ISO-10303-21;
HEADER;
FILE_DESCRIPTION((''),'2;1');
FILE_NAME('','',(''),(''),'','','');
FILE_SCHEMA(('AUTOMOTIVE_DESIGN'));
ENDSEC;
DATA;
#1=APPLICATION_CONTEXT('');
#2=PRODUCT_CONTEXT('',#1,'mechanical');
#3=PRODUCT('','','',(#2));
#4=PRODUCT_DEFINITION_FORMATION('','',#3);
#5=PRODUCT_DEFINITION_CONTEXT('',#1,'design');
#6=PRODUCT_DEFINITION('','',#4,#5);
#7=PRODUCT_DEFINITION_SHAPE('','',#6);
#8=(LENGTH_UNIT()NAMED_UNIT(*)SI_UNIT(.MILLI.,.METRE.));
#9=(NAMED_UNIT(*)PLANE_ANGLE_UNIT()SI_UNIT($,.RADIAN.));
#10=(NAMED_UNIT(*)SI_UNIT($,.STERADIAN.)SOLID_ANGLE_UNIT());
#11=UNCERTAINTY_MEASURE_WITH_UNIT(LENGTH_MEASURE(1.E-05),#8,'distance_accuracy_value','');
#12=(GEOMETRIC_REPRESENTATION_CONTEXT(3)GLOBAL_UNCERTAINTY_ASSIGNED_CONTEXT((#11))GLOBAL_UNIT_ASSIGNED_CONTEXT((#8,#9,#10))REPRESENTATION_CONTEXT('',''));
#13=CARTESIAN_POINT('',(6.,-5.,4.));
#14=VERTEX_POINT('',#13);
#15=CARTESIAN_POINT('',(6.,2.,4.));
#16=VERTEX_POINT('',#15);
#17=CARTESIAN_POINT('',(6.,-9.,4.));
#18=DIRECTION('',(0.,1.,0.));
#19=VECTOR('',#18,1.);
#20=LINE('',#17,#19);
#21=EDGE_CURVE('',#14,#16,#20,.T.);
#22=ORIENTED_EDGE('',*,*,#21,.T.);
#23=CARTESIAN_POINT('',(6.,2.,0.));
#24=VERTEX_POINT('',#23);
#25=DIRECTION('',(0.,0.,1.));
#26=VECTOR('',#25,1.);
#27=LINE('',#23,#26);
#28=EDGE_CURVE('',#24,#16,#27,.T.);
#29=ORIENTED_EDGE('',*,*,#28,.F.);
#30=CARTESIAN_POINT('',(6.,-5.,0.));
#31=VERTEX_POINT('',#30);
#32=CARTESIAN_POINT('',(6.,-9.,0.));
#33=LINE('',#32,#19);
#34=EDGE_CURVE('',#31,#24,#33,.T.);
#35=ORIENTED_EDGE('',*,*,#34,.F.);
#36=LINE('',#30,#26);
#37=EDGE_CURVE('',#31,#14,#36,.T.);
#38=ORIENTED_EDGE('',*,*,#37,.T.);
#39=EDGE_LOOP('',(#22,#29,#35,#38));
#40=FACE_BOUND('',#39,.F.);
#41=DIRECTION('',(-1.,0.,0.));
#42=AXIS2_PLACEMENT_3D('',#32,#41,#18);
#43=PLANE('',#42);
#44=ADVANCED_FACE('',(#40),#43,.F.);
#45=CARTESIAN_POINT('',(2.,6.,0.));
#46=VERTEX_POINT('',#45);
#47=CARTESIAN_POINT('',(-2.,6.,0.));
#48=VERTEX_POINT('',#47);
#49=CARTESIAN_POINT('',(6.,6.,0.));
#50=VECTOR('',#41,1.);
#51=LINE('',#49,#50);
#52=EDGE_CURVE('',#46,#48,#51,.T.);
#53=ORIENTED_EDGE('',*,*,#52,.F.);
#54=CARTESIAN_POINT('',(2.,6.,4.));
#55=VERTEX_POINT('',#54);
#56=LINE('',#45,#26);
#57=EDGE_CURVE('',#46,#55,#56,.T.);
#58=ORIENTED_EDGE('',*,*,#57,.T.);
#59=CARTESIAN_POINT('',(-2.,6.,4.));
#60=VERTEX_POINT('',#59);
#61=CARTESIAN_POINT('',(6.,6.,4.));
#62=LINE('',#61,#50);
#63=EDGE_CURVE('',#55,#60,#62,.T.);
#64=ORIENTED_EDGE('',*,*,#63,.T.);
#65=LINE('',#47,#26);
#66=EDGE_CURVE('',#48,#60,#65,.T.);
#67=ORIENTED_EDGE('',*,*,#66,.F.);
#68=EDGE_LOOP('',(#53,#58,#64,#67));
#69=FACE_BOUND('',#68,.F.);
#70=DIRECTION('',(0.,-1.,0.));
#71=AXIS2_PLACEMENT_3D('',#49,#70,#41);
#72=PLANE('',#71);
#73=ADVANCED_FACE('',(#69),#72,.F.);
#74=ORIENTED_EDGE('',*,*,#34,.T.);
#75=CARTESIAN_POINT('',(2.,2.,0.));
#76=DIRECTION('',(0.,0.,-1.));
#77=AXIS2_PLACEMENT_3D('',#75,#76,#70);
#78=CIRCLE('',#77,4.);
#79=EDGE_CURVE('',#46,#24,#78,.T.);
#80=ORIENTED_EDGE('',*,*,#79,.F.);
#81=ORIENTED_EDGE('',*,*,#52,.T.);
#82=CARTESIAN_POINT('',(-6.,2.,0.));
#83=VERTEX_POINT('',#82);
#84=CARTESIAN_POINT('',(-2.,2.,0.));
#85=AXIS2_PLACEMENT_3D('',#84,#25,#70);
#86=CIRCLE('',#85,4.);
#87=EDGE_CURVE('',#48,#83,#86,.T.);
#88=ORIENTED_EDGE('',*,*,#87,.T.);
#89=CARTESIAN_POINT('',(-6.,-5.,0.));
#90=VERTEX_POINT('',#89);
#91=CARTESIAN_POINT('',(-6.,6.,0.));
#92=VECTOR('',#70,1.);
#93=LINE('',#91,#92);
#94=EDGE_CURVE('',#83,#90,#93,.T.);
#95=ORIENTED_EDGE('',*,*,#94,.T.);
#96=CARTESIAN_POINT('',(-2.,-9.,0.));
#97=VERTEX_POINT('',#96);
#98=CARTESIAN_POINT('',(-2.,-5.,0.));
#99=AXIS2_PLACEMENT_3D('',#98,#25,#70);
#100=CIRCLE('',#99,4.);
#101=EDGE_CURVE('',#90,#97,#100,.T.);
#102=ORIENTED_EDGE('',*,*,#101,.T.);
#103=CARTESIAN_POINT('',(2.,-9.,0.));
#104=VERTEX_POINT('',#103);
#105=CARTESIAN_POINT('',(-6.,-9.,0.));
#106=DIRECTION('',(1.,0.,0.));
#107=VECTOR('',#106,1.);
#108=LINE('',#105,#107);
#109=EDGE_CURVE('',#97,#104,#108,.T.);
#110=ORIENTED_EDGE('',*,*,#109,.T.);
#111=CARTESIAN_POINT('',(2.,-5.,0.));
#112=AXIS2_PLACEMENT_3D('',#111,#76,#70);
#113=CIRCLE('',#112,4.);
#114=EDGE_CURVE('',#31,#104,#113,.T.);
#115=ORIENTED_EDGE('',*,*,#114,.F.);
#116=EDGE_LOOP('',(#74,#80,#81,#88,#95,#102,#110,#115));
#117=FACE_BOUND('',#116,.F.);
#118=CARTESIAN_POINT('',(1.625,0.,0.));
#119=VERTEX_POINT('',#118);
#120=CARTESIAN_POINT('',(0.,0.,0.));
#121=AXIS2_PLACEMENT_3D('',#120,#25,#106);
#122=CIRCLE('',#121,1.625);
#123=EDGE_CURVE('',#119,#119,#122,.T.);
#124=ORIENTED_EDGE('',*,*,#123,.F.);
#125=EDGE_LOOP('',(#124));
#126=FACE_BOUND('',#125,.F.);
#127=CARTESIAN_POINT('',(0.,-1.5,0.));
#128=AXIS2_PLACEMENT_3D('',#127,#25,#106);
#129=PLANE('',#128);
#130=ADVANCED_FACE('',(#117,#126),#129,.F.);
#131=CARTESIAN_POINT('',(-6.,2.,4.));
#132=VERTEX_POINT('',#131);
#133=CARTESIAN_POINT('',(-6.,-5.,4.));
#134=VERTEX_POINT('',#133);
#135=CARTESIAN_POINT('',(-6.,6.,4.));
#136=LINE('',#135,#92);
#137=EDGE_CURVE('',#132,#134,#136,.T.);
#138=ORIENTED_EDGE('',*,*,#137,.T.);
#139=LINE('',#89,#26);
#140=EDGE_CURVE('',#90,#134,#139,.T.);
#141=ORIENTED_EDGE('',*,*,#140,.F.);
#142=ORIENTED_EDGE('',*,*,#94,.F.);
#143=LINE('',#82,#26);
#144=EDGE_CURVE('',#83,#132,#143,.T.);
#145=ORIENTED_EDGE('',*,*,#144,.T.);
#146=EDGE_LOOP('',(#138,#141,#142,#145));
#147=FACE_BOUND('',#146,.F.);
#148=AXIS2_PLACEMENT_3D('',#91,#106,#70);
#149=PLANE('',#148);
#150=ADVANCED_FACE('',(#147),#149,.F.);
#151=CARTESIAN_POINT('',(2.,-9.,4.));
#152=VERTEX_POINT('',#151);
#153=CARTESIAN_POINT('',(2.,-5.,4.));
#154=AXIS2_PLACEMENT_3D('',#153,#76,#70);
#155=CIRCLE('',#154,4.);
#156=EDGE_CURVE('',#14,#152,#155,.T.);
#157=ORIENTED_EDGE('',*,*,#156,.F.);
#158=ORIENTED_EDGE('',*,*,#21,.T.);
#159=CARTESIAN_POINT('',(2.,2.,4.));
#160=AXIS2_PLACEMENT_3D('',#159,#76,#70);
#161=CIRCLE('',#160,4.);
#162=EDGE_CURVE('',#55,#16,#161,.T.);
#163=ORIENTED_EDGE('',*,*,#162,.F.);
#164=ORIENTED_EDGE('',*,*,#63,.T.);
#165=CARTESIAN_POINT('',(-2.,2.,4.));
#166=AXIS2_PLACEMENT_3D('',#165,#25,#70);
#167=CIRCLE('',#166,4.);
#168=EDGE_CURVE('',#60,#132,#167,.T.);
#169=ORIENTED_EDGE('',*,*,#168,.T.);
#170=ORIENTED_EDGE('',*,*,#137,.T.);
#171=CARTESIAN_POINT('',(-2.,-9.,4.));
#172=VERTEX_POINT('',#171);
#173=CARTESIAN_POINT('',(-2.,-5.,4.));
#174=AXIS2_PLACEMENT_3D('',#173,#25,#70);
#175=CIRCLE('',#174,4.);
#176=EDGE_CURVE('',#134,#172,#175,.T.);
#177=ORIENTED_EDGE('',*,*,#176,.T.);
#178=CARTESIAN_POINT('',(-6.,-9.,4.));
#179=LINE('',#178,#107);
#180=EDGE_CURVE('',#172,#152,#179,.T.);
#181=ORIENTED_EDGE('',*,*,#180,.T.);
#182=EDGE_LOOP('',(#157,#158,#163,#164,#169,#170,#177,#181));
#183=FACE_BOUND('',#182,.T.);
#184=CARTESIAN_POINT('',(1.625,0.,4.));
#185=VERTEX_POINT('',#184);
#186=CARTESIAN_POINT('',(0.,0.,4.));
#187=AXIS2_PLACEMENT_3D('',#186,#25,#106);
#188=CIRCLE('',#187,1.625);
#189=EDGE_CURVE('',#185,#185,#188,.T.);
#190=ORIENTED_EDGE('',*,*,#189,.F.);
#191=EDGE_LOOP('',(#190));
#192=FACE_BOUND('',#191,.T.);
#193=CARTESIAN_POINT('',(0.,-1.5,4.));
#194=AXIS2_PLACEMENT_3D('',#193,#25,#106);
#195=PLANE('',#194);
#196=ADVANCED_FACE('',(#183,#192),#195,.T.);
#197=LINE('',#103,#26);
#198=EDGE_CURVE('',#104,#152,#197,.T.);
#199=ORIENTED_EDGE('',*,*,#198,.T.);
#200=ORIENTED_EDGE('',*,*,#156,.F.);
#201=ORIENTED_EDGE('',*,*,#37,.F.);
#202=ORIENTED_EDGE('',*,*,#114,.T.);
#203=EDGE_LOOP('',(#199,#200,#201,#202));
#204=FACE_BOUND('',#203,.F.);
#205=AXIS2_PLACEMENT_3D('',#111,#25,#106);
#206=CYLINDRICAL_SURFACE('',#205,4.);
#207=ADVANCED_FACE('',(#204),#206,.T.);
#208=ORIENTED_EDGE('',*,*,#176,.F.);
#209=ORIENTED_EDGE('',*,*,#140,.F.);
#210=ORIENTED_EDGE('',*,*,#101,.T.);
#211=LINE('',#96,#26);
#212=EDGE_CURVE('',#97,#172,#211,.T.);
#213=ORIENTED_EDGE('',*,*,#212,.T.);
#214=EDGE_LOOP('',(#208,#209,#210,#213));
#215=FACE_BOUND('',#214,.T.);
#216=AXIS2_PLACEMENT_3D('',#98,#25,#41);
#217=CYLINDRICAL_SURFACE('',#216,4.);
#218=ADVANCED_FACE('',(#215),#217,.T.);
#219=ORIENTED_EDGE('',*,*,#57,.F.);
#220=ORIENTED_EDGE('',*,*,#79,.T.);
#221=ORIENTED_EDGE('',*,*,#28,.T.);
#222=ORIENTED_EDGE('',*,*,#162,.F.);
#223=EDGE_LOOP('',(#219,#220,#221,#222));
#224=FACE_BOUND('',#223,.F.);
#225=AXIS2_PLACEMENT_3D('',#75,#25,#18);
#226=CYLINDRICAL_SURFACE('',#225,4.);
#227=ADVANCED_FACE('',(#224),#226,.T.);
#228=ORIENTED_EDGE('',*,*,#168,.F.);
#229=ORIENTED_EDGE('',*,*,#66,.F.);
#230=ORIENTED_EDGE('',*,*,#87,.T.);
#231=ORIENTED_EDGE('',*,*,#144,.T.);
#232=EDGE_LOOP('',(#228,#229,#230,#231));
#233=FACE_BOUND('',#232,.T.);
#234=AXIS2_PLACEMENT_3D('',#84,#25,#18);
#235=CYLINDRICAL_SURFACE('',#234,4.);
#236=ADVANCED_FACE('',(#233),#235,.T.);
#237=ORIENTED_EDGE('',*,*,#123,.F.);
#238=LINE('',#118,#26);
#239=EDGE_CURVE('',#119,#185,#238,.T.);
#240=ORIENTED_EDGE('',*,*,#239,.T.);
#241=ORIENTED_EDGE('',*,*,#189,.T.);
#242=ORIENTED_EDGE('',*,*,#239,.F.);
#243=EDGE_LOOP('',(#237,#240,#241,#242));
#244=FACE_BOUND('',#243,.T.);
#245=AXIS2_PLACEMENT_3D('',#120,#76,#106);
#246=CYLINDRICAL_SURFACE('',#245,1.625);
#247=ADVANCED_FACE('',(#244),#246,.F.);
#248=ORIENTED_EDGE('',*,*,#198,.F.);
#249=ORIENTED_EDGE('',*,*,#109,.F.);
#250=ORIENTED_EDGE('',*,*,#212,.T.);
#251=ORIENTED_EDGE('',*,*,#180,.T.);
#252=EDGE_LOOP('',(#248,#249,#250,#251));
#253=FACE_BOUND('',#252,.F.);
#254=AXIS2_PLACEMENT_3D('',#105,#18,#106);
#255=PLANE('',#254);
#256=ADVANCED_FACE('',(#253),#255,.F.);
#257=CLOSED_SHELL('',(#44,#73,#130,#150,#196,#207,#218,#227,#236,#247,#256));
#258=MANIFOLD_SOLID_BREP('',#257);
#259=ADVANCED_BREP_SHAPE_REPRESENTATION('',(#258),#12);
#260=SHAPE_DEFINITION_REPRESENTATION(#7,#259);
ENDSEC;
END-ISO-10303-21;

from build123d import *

# Parameters (mm, degrees)
F0_R     = 1.625
F1_DEPTH = 4
F2_R     = 4


with BuildPart() as f1:
    # F0 (on Top) → F1 (new body)
    with BuildSketch(Plane.XY):
        Polygon((6, -6), (6, 6), (-6, 6), (-6, -6), (-6, -9), (6, -9), align=None)
        Circle(F0_R, mode=Mode.SUBTRACT)
    extrude(amount=F1_DEPTH)

    # F2
    f2_edges = [f1.edges().sort_by_distance(p)[0] for p in [
        (-6, 6, 2),
        (-6, -9, 2),
        (6, -9, 2),
        (6, 6, 2),
    ]]
    fillet(f2_edges, radius=F2_R)


solid = f1.part
